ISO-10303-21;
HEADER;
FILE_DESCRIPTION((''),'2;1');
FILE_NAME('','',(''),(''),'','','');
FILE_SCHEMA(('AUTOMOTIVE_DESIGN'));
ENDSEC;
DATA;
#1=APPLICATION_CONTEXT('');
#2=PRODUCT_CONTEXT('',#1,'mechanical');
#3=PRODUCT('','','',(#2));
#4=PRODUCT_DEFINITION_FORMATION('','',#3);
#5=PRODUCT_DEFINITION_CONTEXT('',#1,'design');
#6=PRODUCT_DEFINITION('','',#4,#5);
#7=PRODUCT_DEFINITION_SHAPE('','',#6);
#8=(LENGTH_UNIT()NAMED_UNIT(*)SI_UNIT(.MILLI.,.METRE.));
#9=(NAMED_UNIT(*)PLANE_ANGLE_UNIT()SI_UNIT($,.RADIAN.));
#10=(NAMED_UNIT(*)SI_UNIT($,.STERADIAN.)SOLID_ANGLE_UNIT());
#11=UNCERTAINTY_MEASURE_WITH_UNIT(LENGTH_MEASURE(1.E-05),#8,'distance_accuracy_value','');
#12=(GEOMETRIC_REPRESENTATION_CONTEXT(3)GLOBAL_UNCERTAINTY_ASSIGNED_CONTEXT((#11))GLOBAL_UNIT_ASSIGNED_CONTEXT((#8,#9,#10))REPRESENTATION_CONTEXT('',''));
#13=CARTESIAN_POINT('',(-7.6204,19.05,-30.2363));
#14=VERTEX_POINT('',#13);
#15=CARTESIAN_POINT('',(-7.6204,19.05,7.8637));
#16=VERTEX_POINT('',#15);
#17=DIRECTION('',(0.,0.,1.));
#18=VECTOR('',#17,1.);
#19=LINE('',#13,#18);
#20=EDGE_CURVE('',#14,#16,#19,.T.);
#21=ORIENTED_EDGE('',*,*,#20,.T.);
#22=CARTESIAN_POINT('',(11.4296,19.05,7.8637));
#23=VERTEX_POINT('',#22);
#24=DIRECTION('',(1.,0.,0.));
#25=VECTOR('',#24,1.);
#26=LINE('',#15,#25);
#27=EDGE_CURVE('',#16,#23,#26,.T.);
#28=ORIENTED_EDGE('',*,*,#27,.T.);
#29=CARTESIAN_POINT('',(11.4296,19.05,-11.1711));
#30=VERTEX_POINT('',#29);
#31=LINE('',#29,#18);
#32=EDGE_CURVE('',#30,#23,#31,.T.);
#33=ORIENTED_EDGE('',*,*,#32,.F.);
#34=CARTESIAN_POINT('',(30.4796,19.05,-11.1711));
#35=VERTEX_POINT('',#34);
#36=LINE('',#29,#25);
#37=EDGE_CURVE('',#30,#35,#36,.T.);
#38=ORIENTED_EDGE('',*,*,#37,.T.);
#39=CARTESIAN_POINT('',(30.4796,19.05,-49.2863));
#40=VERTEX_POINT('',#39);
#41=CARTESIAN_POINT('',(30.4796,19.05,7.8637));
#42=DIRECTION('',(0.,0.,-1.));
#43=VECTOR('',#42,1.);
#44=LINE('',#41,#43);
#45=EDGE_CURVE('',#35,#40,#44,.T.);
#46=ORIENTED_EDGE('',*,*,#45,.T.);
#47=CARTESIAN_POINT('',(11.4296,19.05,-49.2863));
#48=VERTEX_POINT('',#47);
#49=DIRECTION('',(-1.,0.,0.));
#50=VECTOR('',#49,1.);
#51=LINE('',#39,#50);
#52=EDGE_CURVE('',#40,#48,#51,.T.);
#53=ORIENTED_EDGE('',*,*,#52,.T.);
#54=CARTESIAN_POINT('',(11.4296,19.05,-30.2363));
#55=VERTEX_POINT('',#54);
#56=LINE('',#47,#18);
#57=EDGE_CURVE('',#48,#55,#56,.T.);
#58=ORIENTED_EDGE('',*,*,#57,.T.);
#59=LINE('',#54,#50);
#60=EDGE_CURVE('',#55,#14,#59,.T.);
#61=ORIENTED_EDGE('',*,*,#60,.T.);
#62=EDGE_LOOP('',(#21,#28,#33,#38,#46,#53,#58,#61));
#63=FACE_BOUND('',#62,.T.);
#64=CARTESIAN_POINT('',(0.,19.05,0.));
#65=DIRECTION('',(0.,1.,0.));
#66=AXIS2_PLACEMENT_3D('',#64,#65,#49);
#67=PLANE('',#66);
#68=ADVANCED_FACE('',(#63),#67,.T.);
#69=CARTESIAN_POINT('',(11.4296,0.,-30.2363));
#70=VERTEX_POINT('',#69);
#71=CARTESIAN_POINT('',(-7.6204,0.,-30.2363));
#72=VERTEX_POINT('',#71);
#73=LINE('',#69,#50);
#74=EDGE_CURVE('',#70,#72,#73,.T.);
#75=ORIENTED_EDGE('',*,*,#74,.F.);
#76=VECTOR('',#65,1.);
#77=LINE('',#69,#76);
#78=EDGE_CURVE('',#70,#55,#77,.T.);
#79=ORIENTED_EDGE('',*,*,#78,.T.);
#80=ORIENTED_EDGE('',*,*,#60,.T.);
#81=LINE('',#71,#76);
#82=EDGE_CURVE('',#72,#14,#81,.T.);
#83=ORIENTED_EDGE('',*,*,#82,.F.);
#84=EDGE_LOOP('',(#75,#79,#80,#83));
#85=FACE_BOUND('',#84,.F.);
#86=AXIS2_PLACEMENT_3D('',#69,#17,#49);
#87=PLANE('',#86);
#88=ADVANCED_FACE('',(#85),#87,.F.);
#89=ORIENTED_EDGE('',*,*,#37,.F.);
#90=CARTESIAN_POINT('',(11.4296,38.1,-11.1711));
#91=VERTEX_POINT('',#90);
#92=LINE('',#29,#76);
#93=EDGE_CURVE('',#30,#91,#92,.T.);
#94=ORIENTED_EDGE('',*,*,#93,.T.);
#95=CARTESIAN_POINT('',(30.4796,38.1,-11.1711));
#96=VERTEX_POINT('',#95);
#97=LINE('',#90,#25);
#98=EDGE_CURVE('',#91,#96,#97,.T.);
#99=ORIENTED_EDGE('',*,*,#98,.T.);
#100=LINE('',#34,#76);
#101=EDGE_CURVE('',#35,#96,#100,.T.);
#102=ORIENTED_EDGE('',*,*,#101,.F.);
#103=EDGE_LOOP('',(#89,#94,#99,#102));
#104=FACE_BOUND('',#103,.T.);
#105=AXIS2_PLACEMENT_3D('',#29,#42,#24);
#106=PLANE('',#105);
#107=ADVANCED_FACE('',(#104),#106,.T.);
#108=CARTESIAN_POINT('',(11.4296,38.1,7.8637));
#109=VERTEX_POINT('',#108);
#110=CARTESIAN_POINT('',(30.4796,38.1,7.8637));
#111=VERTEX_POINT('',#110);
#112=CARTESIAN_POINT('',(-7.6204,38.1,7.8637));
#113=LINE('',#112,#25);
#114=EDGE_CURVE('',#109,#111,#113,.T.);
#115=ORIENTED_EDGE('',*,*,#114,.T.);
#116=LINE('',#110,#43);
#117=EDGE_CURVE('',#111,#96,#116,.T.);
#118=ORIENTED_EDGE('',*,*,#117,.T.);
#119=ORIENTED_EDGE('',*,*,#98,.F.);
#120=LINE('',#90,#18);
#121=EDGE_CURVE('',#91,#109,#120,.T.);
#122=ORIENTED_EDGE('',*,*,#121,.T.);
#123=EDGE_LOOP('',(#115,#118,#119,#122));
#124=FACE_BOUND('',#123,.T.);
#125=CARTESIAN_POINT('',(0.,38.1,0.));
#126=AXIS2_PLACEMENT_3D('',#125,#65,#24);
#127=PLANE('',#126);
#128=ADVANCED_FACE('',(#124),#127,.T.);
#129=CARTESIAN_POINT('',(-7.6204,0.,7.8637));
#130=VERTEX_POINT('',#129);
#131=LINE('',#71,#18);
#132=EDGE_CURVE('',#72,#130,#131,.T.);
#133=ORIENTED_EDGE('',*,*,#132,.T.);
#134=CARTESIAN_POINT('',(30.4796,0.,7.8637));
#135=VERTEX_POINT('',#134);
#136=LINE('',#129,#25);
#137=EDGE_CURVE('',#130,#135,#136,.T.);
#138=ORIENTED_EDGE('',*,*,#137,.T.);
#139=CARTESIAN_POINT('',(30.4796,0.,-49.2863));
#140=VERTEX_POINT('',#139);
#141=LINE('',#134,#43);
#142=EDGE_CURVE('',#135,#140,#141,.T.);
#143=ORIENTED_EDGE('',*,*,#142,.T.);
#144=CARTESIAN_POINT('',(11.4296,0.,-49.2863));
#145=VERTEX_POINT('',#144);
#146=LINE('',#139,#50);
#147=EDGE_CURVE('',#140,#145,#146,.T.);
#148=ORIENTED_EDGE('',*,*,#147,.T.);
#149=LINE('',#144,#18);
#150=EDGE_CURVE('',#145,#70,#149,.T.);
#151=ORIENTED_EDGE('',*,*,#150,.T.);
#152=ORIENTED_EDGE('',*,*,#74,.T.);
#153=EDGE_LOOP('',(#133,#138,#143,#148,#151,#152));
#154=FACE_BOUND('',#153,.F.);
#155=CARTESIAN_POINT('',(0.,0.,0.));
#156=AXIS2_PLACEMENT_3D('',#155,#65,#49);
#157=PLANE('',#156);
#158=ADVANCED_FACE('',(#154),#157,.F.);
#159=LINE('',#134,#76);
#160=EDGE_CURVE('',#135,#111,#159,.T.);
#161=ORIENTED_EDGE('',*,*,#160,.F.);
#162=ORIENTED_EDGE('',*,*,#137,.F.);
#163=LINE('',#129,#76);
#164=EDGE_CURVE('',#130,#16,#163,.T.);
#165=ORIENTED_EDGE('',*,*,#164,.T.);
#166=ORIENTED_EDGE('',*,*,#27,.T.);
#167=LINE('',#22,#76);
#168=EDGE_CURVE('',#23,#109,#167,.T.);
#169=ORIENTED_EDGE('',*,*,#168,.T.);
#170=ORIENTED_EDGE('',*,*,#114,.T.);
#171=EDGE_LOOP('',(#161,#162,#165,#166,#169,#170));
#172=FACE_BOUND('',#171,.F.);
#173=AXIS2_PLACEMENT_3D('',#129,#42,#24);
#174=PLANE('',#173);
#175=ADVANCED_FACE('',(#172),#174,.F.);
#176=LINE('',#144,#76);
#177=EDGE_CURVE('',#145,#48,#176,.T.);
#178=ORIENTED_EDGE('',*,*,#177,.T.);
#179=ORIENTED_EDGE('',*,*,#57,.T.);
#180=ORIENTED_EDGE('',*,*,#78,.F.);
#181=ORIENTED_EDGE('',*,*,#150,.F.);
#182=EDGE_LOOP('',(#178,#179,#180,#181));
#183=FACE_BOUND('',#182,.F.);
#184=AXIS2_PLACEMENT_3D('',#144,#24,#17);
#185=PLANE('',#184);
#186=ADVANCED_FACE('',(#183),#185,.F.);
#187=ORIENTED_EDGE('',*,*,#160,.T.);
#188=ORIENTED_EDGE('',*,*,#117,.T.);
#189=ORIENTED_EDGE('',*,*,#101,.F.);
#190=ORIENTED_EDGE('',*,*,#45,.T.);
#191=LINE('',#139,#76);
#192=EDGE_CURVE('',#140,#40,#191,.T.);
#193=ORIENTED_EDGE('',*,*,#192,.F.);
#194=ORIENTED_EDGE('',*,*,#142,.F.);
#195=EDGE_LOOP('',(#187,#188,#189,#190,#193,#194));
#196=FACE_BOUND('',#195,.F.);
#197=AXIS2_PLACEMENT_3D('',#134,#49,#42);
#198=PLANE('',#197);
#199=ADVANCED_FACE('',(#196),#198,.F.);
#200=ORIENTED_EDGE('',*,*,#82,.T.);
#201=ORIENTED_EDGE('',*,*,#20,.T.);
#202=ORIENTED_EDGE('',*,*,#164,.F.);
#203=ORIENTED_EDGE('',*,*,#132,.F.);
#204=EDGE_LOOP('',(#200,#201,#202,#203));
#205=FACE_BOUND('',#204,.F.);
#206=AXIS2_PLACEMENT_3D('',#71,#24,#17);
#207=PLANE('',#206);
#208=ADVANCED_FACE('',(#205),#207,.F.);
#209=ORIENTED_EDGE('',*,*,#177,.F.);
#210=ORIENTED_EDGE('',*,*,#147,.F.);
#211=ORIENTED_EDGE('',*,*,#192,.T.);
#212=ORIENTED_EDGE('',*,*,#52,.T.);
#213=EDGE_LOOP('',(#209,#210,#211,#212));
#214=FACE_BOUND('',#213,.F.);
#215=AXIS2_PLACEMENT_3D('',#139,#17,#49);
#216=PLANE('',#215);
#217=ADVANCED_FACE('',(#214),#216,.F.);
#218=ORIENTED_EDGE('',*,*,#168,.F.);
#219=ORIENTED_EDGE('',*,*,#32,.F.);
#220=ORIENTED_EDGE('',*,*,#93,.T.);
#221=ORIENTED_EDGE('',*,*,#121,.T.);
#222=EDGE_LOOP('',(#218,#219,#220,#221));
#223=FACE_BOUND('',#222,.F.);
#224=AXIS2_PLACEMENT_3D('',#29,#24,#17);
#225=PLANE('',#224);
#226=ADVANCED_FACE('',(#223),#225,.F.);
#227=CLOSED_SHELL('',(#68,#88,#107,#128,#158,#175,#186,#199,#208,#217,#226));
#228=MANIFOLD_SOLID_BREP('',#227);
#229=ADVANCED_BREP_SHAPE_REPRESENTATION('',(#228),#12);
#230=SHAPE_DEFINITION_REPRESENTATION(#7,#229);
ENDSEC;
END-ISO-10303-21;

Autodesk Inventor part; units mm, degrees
ref_plane "YZ Plane" through (0, 0, 0) normal (1, 0, 0) x (0, 1, 0)
ref_plane "XZ Plane" through (0, 0, 0) normal (0, 1, 0) x (-1, 0, 0)
ref_plane "XY Plane" through (0, 0, 0) normal (0, 0, 1) x (1, 0, 0)
sketch "Sketch1" plane through (0, 0, 0) normal (0, 1, 0) x (-1, 0, 0)
  line L0 (7.6204, 7.8637) -> (-30.4796, 7.8637)
  line L1 (-30.4796, 7.8637) -> (-30.4796, -49.2863)
  line L2 (-30.4796, -49.2863) -> (-11.4296, -49.2863)
  line L3 (-11.4296, -49.2863) -> (-11.4296, -30.2363)
  line L4 (-11.4296, -30.2363) -> (7.6204, -30.2363)
  line L5 (7.6204, -30.2363) -> (7.6204, 7.8637)
  point P0 (0, 0)
  dimension "d0" = 38.1
  dimension "d1" = 57.15
  dimension "d2" = 19.05
  dimension "d3" = 19.05
  dimension "d4" = 19.05
extrude "Extrusion1" add sketch "Sketch1" along normal blind 19.05
sketch "Sketch2" plane through (0, 19.05, 0) normal (0, 1, 0) x (1, 0, 0)
  line L0 (11.4296, 11.1711) -> (11.4296, -7.8637)
  line L1 (-7.6204, -7.8637) -> (30.4796, -7.8637) projected
  line L2 (11.4296, 11.1711) -> (30.4796, 11.1711)
  line L3 (30.4796, -7.8637) -> (30.4796, 49.2863) projected
  line L4 (30.4796, 11.1711) -> (30.4796, -7.8637)
  line L5 (30.4796, -7.8637) -> (11.4296, -7.8637)
  point P0 (0, 0)
extrude "Extrusion2" add sketch "Sketch2" along normal blind 19.05
properties part number "Additive Method(1)"
